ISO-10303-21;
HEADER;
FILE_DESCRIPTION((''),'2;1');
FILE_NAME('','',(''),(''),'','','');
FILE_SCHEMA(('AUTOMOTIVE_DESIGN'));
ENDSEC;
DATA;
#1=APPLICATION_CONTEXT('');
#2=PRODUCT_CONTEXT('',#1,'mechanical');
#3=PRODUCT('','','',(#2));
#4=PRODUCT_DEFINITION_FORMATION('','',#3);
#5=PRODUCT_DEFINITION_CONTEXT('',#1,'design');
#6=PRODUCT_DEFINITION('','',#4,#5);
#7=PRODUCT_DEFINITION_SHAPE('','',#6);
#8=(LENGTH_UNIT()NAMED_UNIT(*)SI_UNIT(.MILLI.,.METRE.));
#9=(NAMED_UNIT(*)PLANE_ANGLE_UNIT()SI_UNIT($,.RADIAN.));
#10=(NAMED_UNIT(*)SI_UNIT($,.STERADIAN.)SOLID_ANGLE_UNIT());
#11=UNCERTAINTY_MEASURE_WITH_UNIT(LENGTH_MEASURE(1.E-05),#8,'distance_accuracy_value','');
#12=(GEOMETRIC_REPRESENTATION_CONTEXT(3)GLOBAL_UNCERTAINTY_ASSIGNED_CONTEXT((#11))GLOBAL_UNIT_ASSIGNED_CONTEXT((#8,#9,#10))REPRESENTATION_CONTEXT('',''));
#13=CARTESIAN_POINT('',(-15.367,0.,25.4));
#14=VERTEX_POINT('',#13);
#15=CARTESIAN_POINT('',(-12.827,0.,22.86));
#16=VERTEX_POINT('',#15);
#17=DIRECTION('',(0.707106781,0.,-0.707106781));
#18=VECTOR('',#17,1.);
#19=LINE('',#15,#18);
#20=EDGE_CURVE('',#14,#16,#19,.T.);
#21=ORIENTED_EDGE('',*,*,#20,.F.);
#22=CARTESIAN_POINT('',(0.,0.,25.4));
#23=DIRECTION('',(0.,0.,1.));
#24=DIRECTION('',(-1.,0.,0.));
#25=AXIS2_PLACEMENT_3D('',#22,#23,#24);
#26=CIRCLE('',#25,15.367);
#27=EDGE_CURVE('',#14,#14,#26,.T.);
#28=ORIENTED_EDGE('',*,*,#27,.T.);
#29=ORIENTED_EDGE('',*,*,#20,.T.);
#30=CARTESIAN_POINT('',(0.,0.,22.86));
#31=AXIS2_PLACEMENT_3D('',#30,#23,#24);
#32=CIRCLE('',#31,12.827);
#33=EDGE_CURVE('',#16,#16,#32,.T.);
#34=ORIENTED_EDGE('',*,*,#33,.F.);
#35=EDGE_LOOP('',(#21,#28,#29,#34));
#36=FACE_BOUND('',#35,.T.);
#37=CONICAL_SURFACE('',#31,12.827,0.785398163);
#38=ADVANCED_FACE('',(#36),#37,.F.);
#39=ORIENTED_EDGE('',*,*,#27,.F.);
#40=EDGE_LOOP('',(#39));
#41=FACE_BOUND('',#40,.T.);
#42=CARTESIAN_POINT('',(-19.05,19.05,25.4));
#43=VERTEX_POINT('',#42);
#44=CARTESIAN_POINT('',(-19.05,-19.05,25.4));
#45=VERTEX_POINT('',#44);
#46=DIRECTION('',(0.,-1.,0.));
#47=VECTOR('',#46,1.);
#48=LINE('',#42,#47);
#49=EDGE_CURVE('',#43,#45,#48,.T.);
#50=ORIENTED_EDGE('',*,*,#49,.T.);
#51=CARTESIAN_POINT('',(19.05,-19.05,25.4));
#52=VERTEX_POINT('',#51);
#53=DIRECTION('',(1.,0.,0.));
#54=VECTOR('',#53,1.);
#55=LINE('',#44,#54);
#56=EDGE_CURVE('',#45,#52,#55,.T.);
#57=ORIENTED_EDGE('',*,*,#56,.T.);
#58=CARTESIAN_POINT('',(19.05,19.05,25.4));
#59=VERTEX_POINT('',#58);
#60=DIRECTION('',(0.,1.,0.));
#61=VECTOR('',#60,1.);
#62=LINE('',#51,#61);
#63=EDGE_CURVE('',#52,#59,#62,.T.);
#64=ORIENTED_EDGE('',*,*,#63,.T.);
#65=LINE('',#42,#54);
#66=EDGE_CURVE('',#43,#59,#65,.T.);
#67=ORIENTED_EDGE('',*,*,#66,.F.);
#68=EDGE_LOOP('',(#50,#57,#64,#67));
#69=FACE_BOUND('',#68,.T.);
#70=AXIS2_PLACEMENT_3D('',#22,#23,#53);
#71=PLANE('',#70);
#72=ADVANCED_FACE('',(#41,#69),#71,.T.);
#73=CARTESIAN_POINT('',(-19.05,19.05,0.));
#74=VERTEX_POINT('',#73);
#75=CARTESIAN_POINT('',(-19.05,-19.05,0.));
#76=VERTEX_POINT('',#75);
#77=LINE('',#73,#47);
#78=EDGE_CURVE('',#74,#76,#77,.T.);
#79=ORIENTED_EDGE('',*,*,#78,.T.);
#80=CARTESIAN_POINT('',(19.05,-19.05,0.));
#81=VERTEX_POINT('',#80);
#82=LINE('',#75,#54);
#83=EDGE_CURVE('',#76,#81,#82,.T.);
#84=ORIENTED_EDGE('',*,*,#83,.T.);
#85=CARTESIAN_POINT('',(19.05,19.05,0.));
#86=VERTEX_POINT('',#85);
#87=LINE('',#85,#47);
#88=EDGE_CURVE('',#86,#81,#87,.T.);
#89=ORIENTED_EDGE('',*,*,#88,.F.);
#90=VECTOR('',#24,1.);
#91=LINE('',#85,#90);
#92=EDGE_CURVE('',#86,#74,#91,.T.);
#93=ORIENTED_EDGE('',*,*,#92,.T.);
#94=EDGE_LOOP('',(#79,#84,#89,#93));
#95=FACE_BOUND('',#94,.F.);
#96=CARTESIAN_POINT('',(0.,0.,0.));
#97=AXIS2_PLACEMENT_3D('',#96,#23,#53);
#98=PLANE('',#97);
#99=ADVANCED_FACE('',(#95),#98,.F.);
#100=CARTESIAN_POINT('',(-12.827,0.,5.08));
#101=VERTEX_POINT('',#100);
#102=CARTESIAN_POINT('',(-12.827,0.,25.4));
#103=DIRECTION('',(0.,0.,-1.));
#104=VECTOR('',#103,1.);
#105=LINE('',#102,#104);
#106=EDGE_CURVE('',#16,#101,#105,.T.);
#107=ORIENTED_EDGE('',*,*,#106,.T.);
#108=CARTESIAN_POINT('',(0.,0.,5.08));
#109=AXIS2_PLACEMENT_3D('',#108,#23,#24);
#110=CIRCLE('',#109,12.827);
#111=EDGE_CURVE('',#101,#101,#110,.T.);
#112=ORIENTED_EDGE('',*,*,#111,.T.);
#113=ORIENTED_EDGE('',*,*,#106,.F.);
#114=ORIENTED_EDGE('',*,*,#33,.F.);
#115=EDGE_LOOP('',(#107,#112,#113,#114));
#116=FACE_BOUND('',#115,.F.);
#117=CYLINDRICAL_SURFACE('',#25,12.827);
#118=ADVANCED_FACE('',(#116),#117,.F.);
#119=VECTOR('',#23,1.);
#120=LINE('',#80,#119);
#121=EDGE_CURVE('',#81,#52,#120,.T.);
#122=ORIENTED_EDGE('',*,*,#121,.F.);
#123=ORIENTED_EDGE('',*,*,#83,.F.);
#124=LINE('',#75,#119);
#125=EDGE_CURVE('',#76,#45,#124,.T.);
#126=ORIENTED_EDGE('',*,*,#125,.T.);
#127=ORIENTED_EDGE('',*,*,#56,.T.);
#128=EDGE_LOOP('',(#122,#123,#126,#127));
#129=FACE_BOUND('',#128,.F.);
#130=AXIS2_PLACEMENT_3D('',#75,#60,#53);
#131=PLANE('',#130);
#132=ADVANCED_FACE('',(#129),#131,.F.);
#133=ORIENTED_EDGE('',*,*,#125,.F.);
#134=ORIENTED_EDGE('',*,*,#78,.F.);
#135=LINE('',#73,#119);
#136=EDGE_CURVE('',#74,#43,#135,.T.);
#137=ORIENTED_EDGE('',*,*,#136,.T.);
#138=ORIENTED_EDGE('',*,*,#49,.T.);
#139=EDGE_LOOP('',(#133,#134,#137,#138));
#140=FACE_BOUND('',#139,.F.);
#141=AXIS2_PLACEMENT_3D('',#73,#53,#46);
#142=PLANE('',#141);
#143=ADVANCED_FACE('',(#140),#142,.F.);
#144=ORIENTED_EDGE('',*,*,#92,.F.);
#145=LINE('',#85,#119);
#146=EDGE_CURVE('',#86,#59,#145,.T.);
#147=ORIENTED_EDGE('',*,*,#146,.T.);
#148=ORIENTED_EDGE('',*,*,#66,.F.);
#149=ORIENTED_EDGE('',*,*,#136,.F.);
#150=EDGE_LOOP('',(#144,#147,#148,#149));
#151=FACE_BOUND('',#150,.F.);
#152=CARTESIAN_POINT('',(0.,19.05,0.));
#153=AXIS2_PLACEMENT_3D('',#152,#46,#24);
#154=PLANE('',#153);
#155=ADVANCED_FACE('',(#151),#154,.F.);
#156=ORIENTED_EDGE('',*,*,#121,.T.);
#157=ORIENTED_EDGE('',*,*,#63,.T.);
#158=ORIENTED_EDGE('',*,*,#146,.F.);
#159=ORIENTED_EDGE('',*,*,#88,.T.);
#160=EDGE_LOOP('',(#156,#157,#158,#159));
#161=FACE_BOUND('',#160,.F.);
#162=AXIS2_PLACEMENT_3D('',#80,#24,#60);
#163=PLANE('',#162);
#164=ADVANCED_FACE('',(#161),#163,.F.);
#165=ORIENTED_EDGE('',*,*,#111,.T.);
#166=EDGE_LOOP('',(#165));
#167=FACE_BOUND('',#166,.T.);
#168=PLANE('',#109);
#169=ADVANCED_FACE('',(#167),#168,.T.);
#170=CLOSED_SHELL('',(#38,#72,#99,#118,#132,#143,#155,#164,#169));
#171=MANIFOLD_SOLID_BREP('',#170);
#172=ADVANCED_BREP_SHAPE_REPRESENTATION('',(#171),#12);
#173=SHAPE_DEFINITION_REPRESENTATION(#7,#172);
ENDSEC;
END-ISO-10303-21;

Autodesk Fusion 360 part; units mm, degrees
sketch "Sketch1" plane through (0, 0, 0) normal (0, 0, 1) x (1, 0, 0)
  line L0 (-19.05, -19.05) -> (19.05, -19.05)
  line L1 (19.05, -19.05) -> (19.05, 19.05)
  line L2 (19.05, 19.05) -> (-19.05, 19.05)
  line L3 (-19.05, 19.05) -> (-19.05, -19.05)
  line L4 (0, 1.75) -> (0, 22.5)
  line L5 (1.75, 0) -> (22.5, 0)
  dimension "d1" = 38.1
  dimension "d2" = 38.1
extrude "Extrude1" add sketch "Sketch1" along normal blind 25.4
sketch "Sketch2" plane through (0, 0, 25.4) normal (0, 0, 1) x (-1, 0, 0)
  line L0 (19.05, -19.05) -> (19.05, 19.05)
  line L1 (19.05, 19.05) -> (-19.05, 19.05)
  line L2 (-19.05, 19.05) -> (-19.05, -19.05)
  line L3 (-19.05, -19.05) -> (19.05, -19.05)
  circle A0 centre (0, 0) radius 12.827
  dimension "d5" = 25.654
extrude "Extrude2" cut sketch "Sketch2" against normal blind 20.32 contours A0
chamfer "Chamfer2" distance 2.54 angle 45 1 edges at (11.959, -4.6384, 25.4)
